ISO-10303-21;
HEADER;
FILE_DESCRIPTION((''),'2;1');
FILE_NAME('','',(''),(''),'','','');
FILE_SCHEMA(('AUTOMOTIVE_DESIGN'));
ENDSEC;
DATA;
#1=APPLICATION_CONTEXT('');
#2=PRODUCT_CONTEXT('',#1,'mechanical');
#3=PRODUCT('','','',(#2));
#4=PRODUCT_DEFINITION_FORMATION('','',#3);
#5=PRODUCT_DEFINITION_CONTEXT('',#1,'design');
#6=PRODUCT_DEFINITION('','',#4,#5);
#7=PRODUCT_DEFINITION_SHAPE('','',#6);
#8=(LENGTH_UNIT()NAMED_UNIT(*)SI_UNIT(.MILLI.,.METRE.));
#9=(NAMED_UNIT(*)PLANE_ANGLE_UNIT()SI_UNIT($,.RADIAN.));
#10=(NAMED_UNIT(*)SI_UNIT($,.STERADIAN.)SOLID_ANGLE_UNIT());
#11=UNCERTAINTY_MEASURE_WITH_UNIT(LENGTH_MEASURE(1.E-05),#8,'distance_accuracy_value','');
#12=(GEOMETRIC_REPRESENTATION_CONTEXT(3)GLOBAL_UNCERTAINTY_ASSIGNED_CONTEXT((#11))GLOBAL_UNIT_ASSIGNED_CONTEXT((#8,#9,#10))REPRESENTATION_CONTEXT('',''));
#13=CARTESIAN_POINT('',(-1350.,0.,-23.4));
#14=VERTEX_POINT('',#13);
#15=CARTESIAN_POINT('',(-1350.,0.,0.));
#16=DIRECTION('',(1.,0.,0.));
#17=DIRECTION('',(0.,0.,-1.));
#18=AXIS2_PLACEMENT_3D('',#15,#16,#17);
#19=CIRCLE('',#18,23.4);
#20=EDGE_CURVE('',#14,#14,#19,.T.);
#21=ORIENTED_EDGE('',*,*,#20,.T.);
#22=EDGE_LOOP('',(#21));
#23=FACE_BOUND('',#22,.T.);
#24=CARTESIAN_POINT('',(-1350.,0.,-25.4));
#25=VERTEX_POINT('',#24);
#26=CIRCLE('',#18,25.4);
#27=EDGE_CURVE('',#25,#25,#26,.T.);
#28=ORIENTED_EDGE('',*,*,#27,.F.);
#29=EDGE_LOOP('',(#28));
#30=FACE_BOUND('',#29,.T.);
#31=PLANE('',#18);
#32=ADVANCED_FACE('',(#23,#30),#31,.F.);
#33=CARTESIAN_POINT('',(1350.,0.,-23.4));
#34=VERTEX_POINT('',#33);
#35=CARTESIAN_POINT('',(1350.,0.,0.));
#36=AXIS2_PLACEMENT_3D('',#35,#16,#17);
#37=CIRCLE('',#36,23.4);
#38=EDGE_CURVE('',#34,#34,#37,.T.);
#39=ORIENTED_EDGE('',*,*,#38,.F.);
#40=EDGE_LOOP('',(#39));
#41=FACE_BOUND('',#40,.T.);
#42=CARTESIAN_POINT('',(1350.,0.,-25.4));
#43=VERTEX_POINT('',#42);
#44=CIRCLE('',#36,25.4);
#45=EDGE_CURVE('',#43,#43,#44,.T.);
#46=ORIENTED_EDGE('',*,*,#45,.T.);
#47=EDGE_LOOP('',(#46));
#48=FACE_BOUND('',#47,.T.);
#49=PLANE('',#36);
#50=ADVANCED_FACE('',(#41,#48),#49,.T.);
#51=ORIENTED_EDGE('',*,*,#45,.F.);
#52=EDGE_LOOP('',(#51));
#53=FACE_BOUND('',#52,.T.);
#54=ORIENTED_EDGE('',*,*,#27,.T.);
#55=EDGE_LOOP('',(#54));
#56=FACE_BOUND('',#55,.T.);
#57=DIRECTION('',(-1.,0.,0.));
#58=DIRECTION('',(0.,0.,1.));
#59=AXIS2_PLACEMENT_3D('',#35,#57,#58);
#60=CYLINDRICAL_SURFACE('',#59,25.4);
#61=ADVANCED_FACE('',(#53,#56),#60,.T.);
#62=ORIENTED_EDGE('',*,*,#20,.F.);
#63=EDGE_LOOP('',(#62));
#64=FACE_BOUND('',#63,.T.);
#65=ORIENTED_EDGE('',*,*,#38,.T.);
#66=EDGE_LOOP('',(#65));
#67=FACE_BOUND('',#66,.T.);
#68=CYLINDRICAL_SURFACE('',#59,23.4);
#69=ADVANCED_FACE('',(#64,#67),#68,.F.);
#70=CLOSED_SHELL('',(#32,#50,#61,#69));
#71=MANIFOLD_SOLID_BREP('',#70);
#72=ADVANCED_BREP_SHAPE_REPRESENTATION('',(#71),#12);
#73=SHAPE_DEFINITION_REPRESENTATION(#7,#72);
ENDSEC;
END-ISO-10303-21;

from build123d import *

# Parameters (mm, degrees)
CROQUIS1_R              = 25.4
CROQUIS1_R_2            = 23.4
SALIENTE_EXTRUIR1_DEPTH = 1350


with BuildPart() as part:
    # Croquis1 → Saliente-Extruir1 (new, symmetric)
    with BuildSketch(Plane(origin=(0, 0, 0), x_dir=(0, 0, -1), z_dir=(1, 0, 0))):
        Circle(CROQUIS1_R)
        Circle(CROQUIS1_R_2, mode=Mode.SUBTRACT)
    extrude(amount=SALIENTE_EXTRUIR1_DEPTH, both=True)


solid = part.part
